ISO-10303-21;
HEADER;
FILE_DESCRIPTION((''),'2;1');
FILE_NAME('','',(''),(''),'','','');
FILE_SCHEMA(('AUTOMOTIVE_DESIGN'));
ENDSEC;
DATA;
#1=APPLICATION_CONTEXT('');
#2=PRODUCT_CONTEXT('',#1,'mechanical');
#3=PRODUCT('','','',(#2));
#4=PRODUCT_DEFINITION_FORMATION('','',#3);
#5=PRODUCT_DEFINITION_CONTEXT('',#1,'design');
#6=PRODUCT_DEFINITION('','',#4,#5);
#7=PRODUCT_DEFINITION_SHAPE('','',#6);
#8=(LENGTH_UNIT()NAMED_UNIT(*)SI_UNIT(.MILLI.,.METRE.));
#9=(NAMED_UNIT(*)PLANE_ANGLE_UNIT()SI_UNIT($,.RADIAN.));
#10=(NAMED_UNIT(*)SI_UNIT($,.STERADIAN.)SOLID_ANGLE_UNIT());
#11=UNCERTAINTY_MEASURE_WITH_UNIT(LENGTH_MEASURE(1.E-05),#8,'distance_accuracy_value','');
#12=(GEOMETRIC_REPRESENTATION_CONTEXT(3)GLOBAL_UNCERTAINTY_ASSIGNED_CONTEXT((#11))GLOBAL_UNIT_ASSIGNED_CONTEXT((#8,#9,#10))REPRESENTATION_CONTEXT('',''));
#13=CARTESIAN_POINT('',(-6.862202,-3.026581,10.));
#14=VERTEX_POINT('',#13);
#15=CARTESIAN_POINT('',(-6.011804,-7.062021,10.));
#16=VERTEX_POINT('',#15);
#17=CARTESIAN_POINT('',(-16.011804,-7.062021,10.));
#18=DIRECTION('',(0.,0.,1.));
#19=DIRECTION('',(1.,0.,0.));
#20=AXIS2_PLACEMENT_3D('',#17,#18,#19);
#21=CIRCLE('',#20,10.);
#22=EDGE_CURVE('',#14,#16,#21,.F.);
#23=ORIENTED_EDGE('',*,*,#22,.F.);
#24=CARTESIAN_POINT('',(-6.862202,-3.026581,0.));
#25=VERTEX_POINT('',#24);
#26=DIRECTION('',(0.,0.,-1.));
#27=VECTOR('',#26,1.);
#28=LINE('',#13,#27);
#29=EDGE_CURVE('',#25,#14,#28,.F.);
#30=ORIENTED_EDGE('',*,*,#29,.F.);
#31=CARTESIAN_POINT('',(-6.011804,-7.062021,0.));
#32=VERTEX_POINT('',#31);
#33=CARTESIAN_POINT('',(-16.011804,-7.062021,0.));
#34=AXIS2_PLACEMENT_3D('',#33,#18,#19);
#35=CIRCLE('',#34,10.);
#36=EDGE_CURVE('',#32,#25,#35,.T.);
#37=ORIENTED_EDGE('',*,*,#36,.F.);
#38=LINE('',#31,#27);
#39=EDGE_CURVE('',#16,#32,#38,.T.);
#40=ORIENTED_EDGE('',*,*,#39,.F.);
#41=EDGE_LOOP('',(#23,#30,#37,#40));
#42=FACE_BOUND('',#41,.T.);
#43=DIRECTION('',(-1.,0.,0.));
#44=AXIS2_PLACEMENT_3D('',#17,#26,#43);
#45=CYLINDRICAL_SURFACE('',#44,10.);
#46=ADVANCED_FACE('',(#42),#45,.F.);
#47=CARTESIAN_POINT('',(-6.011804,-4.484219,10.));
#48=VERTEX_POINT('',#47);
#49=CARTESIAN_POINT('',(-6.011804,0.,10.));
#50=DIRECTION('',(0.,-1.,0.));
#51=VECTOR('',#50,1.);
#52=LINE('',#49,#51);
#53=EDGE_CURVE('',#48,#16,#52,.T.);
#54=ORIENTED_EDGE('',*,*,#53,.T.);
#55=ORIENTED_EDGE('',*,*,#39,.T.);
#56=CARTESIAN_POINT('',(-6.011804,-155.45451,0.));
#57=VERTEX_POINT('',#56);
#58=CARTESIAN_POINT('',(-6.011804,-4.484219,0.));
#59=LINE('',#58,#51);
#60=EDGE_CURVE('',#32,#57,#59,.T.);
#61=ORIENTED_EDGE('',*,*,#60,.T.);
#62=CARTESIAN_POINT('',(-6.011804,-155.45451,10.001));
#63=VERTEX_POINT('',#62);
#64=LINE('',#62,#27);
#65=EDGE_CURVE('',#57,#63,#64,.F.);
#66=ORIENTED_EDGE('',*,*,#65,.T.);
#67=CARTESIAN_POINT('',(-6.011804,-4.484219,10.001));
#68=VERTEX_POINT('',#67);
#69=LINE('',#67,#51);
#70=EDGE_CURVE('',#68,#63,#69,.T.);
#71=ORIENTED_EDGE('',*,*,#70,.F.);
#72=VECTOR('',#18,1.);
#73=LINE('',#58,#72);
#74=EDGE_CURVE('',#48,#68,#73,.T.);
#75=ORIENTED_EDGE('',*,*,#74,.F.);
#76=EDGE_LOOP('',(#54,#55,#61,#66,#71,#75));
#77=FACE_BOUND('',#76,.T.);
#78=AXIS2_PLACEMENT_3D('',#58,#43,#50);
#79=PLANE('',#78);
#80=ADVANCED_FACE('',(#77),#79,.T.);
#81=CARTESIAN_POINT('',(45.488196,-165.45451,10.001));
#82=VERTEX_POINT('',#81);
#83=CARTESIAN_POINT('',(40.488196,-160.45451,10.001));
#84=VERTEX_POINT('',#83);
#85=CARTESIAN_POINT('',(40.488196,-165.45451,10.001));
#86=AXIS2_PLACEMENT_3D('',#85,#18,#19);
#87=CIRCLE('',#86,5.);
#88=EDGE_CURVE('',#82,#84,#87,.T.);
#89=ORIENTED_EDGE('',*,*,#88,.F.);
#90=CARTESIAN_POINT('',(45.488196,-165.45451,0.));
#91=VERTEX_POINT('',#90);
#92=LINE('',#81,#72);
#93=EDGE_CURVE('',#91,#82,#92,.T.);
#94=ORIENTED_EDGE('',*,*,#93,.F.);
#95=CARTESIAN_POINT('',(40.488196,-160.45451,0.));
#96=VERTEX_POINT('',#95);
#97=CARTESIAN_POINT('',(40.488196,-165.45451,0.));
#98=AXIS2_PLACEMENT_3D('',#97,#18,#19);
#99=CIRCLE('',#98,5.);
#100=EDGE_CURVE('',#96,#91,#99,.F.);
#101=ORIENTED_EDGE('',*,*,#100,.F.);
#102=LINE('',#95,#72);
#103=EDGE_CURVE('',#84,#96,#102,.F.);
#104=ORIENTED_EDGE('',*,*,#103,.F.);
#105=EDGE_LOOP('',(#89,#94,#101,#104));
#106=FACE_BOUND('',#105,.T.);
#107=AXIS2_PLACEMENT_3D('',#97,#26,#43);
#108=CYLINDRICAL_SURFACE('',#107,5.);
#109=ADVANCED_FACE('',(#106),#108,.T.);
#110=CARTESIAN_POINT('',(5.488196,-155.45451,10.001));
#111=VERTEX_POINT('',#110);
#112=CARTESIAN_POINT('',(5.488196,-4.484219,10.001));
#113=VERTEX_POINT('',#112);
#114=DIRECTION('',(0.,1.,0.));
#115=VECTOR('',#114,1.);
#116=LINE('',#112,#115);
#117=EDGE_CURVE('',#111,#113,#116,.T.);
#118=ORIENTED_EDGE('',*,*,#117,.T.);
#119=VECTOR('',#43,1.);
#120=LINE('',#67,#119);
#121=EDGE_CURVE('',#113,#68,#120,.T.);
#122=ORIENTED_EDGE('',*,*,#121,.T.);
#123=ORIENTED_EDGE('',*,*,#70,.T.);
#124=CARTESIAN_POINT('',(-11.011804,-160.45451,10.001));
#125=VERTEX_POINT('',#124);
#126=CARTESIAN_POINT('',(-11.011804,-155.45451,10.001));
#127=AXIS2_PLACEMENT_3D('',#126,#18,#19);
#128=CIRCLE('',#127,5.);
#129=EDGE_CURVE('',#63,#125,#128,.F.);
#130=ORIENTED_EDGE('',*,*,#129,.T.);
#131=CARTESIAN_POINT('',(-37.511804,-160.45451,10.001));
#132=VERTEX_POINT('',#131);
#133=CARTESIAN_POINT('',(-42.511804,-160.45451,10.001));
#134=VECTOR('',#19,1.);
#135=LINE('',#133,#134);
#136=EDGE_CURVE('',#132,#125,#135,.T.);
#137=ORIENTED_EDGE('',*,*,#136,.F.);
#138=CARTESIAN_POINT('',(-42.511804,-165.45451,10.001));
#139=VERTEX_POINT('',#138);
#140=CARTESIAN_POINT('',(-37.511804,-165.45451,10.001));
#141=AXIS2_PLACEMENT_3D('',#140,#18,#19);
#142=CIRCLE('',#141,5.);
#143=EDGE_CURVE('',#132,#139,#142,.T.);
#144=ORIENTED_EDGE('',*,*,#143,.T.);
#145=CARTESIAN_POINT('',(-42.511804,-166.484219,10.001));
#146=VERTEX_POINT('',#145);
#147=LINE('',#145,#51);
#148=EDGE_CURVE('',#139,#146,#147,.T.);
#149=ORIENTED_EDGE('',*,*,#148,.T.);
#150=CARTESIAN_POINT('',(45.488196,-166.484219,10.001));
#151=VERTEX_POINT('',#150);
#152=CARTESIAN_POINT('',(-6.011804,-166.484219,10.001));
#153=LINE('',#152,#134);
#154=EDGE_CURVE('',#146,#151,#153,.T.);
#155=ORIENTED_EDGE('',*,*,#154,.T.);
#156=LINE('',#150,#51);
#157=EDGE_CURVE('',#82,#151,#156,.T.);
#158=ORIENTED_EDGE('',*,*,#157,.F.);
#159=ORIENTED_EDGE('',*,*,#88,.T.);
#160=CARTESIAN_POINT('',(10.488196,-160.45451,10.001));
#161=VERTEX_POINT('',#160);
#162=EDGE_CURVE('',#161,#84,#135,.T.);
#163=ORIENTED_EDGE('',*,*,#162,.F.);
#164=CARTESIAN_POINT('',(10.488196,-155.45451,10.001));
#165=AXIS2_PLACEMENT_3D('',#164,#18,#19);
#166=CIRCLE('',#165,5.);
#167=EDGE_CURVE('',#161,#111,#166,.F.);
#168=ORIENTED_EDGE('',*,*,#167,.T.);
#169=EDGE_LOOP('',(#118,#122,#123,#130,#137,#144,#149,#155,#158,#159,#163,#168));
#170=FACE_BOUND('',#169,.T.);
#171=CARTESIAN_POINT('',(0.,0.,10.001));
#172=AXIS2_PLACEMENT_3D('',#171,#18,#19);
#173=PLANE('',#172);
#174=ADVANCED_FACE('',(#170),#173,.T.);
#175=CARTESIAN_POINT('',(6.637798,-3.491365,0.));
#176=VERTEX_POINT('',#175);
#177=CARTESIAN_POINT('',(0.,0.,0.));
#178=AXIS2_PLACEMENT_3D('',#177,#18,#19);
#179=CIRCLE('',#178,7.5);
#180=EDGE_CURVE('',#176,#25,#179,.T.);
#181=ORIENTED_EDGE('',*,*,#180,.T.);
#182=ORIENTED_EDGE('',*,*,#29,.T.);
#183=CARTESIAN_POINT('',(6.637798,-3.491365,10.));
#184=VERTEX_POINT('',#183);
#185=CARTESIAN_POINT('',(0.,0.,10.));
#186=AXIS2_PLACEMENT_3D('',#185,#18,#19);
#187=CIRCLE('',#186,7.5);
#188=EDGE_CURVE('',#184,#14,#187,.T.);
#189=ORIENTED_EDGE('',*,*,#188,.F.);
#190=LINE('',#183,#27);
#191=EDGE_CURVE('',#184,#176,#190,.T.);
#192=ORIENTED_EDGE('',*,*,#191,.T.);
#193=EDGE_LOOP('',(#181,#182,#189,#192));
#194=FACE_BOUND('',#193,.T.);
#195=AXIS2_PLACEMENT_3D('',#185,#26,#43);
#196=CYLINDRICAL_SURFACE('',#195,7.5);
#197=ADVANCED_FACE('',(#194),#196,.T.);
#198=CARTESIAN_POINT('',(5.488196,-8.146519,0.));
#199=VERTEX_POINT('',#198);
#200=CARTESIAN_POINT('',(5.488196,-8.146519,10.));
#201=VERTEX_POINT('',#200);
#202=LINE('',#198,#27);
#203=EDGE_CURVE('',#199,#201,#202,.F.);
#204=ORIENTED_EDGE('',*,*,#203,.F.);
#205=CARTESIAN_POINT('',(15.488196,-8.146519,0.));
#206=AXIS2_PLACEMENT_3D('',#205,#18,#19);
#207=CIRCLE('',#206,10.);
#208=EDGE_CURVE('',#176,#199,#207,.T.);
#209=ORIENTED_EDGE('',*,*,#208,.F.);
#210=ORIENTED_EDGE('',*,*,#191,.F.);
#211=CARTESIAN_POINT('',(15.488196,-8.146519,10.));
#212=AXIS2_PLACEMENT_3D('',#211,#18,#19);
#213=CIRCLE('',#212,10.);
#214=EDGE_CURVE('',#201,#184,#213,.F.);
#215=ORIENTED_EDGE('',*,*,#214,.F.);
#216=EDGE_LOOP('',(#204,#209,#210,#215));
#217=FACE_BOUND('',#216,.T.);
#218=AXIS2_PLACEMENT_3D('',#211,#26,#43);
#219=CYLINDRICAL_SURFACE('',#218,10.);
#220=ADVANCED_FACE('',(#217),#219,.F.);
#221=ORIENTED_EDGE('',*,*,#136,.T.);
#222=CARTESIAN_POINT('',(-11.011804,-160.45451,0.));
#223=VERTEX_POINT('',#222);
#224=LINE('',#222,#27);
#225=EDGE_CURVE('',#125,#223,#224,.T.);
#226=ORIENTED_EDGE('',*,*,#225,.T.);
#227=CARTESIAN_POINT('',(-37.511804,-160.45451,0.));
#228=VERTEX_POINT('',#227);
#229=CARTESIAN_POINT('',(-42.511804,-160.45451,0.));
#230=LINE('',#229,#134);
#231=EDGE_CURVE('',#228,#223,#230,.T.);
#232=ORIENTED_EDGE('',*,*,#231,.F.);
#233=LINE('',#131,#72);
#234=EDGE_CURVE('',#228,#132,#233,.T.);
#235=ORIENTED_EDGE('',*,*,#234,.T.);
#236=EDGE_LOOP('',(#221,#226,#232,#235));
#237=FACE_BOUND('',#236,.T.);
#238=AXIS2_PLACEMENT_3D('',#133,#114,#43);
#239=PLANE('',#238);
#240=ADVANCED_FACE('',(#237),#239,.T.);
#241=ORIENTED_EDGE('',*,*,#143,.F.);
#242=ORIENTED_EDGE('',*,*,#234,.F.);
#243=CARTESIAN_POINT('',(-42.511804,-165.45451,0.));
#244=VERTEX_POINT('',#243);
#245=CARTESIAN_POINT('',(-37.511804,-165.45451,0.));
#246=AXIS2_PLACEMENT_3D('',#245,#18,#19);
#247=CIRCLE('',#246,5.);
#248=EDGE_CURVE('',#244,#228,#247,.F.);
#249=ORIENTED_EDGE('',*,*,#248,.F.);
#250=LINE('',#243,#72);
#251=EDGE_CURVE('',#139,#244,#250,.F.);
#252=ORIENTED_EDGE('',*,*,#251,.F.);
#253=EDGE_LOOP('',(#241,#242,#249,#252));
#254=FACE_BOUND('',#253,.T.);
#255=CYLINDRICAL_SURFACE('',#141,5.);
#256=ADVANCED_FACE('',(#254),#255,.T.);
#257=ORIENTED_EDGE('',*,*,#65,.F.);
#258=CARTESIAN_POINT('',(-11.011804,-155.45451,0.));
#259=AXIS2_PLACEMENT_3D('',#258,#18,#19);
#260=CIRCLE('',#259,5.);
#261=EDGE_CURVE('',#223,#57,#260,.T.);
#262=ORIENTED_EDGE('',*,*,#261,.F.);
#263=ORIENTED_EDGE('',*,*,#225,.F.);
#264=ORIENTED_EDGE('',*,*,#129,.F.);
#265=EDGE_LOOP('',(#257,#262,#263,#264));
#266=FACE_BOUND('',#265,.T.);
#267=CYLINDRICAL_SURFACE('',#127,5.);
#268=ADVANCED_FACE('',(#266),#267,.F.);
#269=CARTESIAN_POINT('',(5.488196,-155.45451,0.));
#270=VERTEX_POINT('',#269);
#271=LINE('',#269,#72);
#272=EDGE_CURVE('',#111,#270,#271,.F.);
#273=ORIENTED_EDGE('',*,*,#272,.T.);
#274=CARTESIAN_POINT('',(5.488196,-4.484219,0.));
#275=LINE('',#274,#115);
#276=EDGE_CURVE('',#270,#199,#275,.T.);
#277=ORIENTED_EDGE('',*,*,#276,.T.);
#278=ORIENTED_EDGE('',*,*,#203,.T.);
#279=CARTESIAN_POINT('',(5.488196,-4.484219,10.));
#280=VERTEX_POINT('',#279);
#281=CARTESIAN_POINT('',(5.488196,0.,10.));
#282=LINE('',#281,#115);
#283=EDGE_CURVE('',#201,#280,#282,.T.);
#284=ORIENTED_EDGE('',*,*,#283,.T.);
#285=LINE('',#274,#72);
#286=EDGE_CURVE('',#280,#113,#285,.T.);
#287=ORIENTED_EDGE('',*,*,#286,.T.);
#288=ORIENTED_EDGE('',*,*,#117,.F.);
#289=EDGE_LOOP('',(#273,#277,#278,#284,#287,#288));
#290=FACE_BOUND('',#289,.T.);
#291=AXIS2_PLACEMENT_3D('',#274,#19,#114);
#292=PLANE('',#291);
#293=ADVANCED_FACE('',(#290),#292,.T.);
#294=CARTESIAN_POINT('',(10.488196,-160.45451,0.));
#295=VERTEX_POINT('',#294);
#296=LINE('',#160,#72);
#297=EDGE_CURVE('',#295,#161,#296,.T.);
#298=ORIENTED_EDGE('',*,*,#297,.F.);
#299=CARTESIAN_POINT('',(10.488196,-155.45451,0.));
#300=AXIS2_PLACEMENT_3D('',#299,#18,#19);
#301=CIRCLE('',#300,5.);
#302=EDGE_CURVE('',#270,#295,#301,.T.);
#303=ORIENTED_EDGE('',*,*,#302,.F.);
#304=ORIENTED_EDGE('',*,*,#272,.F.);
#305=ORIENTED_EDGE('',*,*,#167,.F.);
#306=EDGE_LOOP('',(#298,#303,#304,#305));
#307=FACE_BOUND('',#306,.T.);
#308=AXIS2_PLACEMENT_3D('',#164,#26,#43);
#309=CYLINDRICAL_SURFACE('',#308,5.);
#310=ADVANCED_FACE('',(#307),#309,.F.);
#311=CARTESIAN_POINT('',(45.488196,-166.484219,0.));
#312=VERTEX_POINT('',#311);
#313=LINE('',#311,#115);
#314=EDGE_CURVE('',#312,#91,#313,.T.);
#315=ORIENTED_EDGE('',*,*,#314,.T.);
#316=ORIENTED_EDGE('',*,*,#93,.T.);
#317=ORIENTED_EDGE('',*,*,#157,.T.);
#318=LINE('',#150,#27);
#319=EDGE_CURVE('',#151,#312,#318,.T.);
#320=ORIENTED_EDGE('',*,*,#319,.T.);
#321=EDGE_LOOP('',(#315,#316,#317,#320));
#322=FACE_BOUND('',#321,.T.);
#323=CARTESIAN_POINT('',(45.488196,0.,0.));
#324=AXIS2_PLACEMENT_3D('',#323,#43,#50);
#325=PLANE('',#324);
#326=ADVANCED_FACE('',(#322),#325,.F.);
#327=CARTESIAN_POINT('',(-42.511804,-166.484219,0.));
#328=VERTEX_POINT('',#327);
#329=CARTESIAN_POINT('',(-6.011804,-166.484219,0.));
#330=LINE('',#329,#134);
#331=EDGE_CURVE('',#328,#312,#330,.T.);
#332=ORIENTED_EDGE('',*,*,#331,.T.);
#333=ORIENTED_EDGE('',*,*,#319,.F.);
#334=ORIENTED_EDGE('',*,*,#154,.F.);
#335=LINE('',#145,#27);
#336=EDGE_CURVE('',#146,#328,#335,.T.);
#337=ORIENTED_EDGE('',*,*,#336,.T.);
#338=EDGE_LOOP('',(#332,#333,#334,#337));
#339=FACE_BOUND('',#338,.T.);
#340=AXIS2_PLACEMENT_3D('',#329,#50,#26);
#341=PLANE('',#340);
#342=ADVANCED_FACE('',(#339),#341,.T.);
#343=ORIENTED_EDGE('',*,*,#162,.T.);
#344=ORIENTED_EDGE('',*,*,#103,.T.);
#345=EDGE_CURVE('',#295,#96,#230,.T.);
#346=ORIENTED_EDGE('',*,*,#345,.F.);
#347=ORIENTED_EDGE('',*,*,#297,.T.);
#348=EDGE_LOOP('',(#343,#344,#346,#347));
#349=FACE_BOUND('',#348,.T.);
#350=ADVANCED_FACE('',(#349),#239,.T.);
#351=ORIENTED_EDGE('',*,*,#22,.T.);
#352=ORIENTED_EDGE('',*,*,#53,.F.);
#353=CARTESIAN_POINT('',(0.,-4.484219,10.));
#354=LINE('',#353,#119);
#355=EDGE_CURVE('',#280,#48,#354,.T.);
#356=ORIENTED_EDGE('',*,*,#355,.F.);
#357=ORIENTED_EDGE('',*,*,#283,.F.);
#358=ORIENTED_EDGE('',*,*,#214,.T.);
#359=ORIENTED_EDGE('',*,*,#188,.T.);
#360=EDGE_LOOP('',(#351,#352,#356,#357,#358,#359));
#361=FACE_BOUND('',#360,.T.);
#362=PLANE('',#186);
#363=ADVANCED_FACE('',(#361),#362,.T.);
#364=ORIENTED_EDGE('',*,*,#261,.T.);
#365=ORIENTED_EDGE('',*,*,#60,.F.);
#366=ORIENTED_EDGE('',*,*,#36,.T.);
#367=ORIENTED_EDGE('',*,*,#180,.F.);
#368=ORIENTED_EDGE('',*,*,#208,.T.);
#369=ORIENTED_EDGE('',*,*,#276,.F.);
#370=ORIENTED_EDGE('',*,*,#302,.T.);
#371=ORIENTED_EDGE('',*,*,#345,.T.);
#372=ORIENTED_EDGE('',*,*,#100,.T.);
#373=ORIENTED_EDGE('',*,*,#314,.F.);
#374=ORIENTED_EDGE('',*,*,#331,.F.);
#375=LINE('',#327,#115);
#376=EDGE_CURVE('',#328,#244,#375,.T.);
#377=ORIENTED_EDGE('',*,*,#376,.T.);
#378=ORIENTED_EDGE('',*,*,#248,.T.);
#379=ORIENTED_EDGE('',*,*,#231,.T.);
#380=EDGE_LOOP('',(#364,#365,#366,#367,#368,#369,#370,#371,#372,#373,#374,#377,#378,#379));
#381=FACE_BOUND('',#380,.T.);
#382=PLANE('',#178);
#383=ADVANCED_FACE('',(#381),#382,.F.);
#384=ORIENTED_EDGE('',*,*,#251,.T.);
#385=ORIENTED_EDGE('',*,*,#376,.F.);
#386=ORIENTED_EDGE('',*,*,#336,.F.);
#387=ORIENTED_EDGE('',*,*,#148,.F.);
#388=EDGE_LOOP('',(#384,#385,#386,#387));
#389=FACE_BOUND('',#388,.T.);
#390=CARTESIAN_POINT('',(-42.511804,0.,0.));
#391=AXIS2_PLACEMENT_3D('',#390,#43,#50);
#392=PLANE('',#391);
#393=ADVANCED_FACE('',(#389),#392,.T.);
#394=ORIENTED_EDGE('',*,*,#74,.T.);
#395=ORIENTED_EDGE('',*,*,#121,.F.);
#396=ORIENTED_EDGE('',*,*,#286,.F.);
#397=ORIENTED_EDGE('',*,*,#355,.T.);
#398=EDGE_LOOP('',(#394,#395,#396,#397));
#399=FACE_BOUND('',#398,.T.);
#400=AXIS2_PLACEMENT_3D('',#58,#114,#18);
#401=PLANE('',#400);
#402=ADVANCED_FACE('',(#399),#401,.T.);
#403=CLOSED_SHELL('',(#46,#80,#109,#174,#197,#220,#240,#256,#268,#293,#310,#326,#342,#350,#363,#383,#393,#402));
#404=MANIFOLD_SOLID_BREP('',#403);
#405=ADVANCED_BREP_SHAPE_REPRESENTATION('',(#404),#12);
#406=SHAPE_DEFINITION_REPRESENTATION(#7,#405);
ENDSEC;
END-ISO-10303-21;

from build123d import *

# Parameters (mm, degrees)
SKETCH1_R                = 7.5
BOSS_EXTRUDE2_DEPTH      = 10
SKETCH3_W                = 11.5
SKETCH3_H                = 162
BOSS_EXTRUDE3_DEPTH      = 0.001
BOSS_EXTRUDE3_DEPTH_BACK = 10
SKETCH4_W                = 10.001
SKETCH4_H                = 6.029708674
BOSS_EXTRUDE4_DEPTH      = 40
BOSS_EXTRUDE4_DEPTH_BACK = 48
FILLET1_R                = 10
FILLET2_R                = 10
FILLET3_R                = 5
FILLET4_R                = 5
FILLET5_R                = 5
FILLET6_R                = 5


with BuildPart() as part:
    # Sketch1 → Boss-Extrude2 (new body)
    with BuildSketch(Plane.XY):
        Circle(SKETCH1_R)
    extrude(amount=BOSS_EXTRUDE2_DEPTH)

    # Sketch3 → Boss-Extrude3 (add, two sides)
    with BuildSketch(Plane.XY.offset(10)) as boss_extrude3_sk:
        with Locations((-0.261803669, -85.484218622)):
            Rectangle(SKETCH3_W, SKETCH3_H)
    extrude(amount=BOSS_EXTRUDE3_DEPTH)
    extrude(boss_extrude3_sk.sketch, amount=-BOSS_EXTRUDE3_DEPTH_BACK)

    # Sketch4 → Boss-Extrude4 (add, two sides)
    with BuildSketch(Plane(origin=(5.488196331, 0, 0), x_dir=(0, 0, -1), z_dir=(1, 0, 0))) as boss_extrude4_sk:
        with Locations((-5.0005, -163.469364285)):
            Rectangle(SKETCH4_W, SKETCH4_H)
    extrude(amount=BOSS_EXTRUDE4_DEPTH)
    extrude(boss_extrude4_sk.sketch, amount=-BOSS_EXTRUDE4_DEPTH_BACK)

    # Fillet1
    fillet1_edges = [part.edges().sort_by_distance(p)[0] for p in [
        (5.488196331, -5.111721924, 5),
    ]]
    fillet(fillet1_edges, radius=FILLET1_R)

    # Fillet2
    fillet2_edges = [part.edges().sort_by_distance(p)[0] for p in [
        (-6.011803669, -4.484218622, 5),
    ]]
    fillet(fillet2_edges, radius=FILLET2_R)

    # Fillet3
    fillet3_edges = [part.edges().sort_by_distance(p)[0] for p in [
        (5.488196331, -160.454509948, 5.0005),
    ]]
    fillet(fillet3_edges, radius=FILLET3_R)

    # Fillet4
    fillet4_edges = [part.edges().sort_by_distance(p)[0] for p in [
        (-6.011803669, -160.454509948, 5.0005),
    ]]
    fillet(fillet4_edges, radius=FILLET4_R)

    # Fillet5
    fillet5_edges = [part.edges().sort_by_distance(p)[0] for p in [
        (-42.511803669, -160.454509948, 5.0005),
    ]]
    fillet(fillet5_edges, radius=FILLET5_R)

    # Fillet6
    fillet6_edges = [part.edges().sort_by_distance(p)[0] for p in [
        (45.488196331, -160.454509948, 5.0005),
    ]]
    fillet(fillet6_edges, radius=FILLET6_R)


solid = part.part
